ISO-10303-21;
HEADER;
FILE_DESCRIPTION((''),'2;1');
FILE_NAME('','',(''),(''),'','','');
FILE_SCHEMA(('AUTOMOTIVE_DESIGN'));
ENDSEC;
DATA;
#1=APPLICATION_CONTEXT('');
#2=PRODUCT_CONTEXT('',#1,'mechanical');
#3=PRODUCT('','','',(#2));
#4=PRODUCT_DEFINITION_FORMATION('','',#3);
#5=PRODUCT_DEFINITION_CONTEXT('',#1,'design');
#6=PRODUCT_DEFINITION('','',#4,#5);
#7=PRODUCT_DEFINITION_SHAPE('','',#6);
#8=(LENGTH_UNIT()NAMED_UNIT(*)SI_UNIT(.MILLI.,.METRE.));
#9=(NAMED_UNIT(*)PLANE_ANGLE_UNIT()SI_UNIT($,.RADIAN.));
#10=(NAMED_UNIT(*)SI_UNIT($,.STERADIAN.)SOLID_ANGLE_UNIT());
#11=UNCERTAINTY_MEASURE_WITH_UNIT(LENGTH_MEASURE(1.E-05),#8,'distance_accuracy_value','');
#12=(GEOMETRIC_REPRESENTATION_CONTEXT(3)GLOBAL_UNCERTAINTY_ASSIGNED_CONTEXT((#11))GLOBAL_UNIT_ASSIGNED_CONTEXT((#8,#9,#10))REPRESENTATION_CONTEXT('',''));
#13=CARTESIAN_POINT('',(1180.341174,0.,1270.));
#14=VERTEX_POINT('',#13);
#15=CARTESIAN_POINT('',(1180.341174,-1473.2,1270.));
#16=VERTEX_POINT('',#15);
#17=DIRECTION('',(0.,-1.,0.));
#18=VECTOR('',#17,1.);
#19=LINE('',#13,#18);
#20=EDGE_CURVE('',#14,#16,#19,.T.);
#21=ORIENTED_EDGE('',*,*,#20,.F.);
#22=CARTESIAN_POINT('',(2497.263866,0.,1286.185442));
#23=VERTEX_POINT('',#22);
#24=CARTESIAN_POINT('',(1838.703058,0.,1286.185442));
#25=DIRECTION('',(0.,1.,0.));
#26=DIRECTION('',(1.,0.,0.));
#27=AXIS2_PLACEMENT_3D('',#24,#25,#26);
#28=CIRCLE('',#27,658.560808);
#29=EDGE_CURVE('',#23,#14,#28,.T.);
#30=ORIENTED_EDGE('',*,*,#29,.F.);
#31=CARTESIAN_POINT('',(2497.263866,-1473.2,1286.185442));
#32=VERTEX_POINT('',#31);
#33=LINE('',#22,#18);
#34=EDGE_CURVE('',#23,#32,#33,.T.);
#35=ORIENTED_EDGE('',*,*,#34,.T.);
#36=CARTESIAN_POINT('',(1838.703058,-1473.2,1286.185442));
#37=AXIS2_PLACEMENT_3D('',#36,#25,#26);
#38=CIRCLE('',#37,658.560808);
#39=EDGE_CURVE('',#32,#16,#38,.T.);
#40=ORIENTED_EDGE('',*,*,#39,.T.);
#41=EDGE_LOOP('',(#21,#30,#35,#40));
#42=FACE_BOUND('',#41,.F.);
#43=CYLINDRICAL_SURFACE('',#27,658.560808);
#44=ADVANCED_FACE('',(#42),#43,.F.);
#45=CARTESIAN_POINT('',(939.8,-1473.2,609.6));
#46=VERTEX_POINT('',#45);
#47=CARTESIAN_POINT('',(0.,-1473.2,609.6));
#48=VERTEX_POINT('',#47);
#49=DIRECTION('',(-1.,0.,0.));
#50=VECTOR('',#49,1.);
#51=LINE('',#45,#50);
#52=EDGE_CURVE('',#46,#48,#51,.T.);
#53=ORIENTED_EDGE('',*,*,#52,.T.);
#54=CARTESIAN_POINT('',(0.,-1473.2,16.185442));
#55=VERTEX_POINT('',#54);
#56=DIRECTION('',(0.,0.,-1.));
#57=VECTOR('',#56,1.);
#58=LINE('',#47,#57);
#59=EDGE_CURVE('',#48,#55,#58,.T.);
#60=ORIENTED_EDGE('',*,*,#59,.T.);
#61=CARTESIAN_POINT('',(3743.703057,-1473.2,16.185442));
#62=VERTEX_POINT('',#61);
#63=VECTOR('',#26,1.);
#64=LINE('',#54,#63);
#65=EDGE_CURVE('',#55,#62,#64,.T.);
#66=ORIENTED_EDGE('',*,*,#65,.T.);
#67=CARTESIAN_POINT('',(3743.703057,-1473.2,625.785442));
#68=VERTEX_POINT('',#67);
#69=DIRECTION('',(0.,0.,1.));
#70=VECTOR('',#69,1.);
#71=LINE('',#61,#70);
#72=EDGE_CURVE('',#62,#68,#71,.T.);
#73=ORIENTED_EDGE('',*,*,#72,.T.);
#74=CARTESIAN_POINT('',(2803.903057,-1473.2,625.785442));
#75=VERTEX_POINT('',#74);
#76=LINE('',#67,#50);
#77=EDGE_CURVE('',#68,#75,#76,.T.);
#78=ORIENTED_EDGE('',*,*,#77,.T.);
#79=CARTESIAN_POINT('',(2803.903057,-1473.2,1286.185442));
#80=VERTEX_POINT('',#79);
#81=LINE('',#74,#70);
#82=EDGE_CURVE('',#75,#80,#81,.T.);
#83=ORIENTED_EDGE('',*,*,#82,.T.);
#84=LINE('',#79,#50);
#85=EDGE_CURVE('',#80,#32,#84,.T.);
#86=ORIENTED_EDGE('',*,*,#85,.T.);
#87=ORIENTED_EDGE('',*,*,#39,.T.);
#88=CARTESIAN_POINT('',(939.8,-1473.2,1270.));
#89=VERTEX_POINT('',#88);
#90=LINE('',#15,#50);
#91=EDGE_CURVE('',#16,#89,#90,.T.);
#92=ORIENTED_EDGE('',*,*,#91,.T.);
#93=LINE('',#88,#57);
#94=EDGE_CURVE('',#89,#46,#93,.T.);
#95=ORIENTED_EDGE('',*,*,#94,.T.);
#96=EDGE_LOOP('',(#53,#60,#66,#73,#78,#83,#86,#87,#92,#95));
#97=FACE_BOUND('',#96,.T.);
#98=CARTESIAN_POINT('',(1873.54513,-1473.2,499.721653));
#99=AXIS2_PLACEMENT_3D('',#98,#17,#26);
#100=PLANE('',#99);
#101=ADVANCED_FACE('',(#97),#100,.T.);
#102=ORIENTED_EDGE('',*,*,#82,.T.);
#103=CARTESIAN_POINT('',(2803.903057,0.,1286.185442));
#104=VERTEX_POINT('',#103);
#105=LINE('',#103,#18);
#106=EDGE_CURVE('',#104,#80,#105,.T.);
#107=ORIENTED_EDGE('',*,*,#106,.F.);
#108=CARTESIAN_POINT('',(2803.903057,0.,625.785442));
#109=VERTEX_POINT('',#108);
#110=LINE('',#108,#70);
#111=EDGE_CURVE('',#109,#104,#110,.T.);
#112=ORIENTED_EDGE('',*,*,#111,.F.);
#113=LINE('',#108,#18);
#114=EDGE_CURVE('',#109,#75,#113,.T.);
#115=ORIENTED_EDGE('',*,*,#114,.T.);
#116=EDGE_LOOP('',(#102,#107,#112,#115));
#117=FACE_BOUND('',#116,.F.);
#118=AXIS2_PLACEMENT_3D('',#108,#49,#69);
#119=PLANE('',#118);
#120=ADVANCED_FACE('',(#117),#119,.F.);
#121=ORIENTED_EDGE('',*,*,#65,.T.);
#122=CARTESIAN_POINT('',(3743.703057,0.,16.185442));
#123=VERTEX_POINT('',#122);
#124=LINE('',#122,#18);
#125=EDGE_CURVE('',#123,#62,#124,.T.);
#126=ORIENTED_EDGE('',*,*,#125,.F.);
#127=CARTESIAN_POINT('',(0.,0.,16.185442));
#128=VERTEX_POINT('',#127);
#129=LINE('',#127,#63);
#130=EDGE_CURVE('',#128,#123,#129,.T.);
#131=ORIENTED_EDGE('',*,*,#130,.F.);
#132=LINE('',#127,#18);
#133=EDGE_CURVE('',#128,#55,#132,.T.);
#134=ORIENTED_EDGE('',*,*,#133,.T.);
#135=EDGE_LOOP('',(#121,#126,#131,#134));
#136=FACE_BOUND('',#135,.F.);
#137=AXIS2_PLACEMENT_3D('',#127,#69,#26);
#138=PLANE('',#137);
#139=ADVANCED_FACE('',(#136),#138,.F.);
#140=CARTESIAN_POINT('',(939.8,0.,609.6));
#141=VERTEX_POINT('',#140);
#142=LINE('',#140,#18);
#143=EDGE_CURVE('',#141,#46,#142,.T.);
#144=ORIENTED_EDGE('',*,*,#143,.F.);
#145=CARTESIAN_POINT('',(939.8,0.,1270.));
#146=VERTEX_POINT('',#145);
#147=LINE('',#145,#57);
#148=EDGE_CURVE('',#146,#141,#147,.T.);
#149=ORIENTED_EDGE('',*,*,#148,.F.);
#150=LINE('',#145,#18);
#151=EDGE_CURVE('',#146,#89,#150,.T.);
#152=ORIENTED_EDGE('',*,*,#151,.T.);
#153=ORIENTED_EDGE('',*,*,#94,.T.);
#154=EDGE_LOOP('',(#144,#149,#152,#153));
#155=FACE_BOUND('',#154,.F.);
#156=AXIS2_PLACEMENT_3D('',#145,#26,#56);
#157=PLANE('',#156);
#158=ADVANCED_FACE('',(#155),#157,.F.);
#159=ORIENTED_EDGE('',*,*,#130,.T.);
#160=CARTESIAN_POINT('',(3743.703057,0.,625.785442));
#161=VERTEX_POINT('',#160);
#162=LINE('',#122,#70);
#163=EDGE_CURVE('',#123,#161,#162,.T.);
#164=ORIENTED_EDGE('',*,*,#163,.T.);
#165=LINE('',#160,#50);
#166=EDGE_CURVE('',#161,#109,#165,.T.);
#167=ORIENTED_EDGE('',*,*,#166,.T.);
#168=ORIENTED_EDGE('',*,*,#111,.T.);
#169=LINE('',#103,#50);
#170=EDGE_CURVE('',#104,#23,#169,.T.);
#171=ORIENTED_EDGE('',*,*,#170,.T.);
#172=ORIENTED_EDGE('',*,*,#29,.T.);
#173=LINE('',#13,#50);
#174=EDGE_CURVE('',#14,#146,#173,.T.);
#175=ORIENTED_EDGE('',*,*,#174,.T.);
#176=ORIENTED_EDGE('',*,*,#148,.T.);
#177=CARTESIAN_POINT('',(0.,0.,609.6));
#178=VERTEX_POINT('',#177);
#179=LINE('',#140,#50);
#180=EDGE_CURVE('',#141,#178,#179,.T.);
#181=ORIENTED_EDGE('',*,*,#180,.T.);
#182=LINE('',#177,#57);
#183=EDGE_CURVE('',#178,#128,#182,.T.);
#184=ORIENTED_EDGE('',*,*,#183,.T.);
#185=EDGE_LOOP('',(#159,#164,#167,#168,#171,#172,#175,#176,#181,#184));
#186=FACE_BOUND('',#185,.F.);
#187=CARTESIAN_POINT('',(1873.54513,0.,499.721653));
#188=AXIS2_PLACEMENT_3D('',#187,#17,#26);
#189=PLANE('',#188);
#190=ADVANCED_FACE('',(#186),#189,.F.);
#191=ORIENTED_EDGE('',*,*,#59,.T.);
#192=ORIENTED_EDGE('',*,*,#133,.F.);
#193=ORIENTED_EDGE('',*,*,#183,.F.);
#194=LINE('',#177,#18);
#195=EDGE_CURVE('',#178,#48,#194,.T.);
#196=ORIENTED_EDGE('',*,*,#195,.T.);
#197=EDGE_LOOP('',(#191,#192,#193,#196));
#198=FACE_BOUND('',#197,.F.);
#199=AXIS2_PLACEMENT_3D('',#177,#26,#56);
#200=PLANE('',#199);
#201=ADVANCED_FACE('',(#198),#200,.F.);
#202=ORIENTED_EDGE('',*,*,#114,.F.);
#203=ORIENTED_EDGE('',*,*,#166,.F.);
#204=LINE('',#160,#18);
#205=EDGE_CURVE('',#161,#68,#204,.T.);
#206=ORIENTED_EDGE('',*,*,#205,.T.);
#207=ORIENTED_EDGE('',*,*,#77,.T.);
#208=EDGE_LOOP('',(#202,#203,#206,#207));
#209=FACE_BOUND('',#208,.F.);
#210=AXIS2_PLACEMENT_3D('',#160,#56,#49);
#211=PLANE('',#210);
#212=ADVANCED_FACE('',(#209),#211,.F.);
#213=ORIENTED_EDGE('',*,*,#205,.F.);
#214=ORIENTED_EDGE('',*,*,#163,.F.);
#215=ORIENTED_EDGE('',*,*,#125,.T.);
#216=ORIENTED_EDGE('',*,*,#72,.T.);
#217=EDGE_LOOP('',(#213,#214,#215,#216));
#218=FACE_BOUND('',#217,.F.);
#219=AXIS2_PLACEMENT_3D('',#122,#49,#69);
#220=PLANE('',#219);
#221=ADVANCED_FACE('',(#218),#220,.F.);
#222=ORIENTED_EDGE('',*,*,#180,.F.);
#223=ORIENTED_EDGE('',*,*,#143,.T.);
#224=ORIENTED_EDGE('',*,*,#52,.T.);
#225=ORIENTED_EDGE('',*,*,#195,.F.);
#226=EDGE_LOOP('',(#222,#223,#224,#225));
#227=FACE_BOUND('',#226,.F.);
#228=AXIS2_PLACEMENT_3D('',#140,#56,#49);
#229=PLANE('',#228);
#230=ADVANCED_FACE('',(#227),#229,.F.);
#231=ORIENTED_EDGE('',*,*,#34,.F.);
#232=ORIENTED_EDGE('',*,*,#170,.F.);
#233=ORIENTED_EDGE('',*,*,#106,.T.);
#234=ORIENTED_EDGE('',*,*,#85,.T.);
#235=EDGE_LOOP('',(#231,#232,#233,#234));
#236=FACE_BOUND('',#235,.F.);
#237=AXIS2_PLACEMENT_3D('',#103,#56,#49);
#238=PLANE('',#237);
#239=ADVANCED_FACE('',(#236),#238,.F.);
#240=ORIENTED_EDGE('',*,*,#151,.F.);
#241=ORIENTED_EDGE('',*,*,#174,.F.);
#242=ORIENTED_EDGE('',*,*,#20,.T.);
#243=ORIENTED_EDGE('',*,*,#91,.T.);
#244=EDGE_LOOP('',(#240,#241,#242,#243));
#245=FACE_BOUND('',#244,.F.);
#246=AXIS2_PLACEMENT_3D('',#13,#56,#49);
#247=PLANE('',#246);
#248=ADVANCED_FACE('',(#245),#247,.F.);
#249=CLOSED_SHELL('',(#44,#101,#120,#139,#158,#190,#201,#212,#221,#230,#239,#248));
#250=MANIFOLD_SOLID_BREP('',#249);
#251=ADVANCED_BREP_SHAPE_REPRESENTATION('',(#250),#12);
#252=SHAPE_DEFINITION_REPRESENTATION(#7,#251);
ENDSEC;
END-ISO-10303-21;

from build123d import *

# Parameters (mm, degrees)
F1_DEPTH = 1473.2


with BuildPart() as f1:
    # F0 (on Front) → F1 (new body)
    with BuildSketch(Plane.XZ):
        with BuildLine():
            Line((0, 609.6), (0, 16.185442))
            Line((0, 16.185442), (3743.703057, 16.185442))
            Line((3743.703057, 16.185442), (3743.703057, 625.785442))
            Line((3743.703057, 625.785442), (2803.903057, 625.785442))
            Line((2803.903057, 625.785442), (2803.903057, 1286.185442))
            Line((2803.903057, 1286.185442), (2499.103057, 1286.185442))
            Line((2499.103057, 1286.185442), (2497.263866, 1286.185442))
            ThreePointArc((2497.263866, 1286.185442), (1846.79639, 627.674367), (1180.341174, 1270))
            Line((1180.341174, 1270), (939.8, 1270))
            Line((939.8, 1270), (939.8, 609.6))
            Line((939.8, 609.6), (0, 609.6))
        make_face()
    extrude(amount=F1_DEPTH)


solid = f1.part
